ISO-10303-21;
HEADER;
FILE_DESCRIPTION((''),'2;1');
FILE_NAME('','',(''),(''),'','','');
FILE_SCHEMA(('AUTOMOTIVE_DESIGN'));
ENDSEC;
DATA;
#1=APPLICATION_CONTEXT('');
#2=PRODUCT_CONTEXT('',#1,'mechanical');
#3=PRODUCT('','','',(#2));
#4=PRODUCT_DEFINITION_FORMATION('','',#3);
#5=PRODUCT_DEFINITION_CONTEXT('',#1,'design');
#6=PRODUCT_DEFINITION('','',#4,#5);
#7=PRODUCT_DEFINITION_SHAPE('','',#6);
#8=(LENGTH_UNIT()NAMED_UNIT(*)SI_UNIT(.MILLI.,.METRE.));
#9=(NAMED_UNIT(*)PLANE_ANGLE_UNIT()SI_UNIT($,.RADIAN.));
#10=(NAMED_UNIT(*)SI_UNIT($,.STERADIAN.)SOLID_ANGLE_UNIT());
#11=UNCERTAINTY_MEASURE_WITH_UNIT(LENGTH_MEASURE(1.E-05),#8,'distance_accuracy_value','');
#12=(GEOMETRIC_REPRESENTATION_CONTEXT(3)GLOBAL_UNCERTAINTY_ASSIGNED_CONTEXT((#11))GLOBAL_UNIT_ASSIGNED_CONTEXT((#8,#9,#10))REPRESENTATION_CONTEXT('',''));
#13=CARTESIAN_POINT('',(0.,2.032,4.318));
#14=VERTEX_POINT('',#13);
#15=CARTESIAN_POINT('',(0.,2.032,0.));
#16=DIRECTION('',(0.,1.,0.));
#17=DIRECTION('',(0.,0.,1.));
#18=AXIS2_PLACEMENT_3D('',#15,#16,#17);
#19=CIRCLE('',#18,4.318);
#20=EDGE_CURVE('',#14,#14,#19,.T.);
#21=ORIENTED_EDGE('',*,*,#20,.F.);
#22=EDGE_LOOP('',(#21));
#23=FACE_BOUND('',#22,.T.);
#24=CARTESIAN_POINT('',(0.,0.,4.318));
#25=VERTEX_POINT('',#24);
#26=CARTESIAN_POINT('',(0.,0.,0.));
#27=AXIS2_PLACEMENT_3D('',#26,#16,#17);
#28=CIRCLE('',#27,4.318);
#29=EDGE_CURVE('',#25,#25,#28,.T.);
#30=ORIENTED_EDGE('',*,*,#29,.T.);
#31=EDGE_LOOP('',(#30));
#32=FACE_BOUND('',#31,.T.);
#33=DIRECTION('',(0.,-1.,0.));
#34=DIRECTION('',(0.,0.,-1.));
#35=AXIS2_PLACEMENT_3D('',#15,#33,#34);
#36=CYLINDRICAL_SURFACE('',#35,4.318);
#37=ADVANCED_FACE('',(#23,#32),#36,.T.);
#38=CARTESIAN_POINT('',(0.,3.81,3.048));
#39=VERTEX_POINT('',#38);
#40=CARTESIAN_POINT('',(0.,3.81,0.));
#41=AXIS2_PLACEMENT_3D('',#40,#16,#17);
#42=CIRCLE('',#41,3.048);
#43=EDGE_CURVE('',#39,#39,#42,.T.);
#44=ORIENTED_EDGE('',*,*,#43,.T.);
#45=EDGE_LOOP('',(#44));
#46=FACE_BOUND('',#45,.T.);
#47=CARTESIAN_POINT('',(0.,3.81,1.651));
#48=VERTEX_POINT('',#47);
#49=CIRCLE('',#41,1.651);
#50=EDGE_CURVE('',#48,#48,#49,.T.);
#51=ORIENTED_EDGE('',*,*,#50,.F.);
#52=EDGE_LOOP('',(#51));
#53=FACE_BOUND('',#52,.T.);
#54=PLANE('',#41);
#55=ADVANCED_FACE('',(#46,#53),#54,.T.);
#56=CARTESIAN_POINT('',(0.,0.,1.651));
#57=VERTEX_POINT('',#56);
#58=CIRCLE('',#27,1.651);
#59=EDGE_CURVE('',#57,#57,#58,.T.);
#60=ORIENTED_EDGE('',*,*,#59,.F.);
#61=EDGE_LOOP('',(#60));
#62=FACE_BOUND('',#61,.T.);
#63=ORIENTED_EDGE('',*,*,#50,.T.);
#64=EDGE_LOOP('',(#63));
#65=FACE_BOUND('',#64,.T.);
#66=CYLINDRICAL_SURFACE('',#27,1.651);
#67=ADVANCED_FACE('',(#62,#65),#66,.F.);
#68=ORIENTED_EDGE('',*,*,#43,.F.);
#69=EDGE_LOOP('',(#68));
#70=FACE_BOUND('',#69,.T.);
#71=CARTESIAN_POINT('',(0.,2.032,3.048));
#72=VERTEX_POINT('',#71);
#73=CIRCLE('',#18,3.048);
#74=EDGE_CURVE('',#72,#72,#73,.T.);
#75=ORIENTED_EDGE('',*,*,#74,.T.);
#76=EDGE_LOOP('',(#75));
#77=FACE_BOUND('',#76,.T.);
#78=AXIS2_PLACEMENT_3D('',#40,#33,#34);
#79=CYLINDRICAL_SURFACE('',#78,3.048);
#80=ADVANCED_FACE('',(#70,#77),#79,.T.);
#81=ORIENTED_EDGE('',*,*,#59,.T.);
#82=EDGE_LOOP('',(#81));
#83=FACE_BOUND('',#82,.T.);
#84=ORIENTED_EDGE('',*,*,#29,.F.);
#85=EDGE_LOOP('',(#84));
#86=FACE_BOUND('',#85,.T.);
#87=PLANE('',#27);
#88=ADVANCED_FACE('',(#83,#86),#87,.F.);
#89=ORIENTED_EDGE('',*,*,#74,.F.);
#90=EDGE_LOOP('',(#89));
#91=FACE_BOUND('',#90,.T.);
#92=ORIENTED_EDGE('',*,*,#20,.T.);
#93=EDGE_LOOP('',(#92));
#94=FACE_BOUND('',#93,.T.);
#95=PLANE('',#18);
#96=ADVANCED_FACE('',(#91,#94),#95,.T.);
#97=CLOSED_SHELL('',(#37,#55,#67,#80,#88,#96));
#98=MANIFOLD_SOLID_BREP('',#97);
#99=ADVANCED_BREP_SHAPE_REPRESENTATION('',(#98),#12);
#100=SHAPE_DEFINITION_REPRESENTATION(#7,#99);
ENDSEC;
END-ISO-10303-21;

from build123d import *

# Parameters (mm, degrees)
SKETCH1_R           = 4.318
BOSS_EXTRUDE1_DEPTH = 2.032
SKETCH2_R           = 3.048
BOSS_EXTRUDE2_DEPTH = 1.778
SKETCH3_R           = 1.651
CUT_EXTRUDE1_DEPTH  = 4.81


with BuildPart() as part:
    # Sketch1 → Boss-Extrude1 (new body)
    with BuildSketch(Plane(origin=(0, 0, 0), x_dir=(1, 0, 0), z_dir=(0, 1, 0))):
        Circle(SKETCH1_R)
    extrude(amount=BOSS_EXTRUDE1_DEPTH)

    # Sketch2 → Boss-Extrude2 (add)
    with BuildSketch(Plane(origin=(0, 2.032, 0), x_dir=(1, 0, 0), z_dir=(0, 1, 0))):
        Circle(SKETCH2_R)
    extrude(amount=BOSS_EXTRUDE2_DEPTH)

    # Sketch3 → Cut-Extrude1 (cut, through all)
    with BuildSketch(Plane(origin=(0, 3.81, 0), x_dir=(1, 0, 0), z_dir=(0, 1, 0))):
        Circle(SKETCH3_R)
    extrude(amount=-CUT_EXTRUDE1_DEPTH, mode=Mode.SUBTRACT)


solid = part.part
